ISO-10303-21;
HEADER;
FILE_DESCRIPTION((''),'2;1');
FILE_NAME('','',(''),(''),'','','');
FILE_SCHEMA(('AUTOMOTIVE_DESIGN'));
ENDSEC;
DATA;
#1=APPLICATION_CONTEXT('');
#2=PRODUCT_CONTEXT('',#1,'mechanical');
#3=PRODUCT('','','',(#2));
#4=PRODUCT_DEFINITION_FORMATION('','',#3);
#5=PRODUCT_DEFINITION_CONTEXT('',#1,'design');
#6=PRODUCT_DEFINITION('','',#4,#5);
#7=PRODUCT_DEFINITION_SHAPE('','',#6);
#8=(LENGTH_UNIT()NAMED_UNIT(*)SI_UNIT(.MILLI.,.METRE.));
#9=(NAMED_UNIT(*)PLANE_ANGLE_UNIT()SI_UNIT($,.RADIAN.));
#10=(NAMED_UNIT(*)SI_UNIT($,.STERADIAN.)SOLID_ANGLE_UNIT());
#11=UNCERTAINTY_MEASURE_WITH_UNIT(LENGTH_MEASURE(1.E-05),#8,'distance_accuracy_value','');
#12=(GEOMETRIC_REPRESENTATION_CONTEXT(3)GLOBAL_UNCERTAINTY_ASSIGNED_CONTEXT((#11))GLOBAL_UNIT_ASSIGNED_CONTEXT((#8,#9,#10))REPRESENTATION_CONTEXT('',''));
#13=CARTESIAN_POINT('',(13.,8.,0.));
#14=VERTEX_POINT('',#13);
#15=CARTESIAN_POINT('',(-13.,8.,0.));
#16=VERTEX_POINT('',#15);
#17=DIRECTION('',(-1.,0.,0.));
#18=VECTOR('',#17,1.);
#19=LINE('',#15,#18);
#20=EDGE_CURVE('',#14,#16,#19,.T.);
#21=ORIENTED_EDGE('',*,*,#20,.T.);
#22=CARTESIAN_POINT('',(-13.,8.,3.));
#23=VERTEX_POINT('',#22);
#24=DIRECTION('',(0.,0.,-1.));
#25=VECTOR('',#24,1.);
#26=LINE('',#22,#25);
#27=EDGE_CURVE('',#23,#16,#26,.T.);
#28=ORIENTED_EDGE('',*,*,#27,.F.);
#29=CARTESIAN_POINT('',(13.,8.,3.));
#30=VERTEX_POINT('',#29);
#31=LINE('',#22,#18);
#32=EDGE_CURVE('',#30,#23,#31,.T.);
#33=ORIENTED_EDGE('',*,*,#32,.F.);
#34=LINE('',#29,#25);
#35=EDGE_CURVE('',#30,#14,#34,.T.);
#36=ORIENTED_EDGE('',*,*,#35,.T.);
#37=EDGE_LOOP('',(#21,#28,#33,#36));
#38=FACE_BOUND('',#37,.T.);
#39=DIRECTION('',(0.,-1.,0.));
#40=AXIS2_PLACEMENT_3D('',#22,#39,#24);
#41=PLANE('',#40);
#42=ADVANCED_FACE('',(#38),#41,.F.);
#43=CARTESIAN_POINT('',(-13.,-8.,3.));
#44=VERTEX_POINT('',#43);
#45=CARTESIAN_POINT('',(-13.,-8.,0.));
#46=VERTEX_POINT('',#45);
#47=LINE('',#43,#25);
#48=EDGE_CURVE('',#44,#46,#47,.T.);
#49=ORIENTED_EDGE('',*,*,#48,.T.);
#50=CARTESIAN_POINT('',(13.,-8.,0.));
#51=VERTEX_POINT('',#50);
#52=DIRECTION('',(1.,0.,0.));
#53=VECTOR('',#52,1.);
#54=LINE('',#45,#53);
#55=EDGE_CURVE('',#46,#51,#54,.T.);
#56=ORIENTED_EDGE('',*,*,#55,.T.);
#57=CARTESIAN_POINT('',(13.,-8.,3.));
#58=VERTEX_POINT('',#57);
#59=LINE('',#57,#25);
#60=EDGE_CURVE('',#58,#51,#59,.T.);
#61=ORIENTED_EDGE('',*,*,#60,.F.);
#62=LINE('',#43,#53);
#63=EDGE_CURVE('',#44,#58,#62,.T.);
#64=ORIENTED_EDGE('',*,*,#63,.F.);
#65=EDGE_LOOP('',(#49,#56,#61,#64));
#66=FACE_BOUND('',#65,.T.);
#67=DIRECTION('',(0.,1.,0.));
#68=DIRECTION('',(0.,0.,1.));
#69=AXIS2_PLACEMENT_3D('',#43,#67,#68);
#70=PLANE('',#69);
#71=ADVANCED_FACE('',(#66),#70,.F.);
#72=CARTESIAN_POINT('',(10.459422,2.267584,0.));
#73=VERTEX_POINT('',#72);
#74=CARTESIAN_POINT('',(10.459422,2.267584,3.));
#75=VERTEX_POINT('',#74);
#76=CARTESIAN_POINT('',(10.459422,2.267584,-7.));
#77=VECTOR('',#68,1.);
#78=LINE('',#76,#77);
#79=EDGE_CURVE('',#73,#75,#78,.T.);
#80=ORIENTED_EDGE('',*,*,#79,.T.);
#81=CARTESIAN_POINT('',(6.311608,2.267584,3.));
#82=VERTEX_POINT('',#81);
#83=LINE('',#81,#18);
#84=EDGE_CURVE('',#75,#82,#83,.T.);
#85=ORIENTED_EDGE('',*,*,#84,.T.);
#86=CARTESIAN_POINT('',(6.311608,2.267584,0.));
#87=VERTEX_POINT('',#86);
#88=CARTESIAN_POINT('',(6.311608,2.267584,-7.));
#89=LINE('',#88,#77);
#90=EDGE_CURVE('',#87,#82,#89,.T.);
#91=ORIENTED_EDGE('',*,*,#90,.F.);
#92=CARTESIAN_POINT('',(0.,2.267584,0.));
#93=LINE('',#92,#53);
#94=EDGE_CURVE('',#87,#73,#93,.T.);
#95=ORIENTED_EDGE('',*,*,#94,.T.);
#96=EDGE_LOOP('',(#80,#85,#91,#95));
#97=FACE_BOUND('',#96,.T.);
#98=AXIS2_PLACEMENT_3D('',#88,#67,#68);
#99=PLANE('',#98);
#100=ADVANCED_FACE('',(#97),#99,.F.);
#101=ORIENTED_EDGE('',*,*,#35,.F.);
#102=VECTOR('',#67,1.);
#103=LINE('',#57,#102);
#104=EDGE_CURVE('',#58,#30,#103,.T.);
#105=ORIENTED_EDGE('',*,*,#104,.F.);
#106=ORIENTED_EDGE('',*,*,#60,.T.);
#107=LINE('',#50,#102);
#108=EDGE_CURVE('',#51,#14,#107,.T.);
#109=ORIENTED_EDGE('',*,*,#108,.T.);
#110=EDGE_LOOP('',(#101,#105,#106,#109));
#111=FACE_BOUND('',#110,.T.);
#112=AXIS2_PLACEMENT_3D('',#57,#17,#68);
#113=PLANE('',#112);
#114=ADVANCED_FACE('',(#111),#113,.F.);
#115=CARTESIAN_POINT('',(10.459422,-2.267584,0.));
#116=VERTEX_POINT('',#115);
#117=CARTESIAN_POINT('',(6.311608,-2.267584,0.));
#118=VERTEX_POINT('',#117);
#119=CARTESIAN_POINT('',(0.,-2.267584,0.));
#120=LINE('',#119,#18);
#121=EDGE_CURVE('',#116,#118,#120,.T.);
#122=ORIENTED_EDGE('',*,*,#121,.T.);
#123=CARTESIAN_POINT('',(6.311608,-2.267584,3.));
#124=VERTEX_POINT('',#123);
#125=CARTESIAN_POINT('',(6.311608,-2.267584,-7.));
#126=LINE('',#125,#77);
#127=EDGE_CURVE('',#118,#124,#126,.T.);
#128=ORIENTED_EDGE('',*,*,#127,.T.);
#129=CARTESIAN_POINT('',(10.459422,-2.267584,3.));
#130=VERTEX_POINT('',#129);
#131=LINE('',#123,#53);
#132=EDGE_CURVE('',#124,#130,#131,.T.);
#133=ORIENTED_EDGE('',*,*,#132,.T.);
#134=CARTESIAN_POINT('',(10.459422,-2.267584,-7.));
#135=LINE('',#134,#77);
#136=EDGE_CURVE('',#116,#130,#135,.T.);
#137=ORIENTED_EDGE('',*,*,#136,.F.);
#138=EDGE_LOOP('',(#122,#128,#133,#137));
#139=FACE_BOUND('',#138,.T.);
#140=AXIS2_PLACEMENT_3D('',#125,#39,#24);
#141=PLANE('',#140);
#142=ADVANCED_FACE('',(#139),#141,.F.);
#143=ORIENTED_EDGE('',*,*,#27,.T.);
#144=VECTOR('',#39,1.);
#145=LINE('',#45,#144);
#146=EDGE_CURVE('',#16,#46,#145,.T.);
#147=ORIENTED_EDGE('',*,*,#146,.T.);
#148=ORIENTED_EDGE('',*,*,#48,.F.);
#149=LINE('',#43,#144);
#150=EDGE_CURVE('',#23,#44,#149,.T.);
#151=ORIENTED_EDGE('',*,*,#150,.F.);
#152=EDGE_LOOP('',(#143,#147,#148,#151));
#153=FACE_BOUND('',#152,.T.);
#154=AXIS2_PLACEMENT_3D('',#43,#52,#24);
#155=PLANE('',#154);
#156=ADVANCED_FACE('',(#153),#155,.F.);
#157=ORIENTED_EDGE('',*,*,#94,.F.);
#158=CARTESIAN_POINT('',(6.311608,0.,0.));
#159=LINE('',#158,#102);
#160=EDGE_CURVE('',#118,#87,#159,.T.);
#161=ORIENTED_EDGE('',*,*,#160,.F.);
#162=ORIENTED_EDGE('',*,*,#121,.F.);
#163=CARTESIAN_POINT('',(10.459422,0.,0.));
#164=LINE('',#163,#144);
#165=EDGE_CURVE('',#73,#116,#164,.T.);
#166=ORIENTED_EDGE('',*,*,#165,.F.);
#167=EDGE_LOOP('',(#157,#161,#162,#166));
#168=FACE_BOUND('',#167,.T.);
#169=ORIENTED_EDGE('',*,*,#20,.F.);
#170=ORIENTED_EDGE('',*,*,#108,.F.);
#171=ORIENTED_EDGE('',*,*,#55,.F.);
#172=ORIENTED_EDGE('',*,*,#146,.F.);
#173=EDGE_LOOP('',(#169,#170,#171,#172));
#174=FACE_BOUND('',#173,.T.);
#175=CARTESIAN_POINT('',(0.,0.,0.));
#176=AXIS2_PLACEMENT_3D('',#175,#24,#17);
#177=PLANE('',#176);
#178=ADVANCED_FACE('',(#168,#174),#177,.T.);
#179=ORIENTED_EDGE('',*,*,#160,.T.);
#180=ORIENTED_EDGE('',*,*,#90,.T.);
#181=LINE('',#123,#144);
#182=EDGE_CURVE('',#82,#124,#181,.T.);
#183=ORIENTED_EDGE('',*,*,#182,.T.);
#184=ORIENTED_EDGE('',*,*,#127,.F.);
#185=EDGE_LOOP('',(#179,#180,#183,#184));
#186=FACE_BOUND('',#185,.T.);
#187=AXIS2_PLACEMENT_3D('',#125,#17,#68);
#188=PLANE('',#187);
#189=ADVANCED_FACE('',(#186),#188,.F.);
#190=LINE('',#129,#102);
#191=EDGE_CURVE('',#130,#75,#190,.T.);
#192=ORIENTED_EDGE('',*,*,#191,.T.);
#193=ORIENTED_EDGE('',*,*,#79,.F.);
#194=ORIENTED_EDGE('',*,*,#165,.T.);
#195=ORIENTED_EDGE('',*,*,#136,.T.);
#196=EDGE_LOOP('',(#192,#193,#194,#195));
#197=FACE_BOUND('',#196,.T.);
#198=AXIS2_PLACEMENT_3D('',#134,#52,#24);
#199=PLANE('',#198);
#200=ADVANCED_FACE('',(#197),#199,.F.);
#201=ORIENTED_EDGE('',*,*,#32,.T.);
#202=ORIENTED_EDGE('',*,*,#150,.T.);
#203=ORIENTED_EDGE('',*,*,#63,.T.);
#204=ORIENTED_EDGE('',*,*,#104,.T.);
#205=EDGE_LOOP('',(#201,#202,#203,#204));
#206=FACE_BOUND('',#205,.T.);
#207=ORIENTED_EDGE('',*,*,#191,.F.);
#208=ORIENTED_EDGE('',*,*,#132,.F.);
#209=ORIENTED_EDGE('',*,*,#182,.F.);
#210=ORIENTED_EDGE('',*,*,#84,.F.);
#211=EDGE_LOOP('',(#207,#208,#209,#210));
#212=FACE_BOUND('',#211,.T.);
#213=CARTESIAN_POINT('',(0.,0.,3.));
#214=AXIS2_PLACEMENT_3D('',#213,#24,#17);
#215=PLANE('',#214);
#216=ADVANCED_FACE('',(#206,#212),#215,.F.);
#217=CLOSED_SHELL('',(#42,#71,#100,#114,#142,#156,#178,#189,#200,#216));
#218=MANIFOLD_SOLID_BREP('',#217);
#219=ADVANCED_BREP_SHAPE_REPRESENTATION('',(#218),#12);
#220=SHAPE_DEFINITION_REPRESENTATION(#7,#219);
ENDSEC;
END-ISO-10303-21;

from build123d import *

# Parameters (mm, degrees)
IZIM1_W                     = 26
IZIM1_H                     = 16
IZIM1_R                     = 2.072340414
Y_KSEKLIK_EKSTR_ZYON1_DEPTH = 3
IZIM2_W                     = 4.147814154
IZIM2_H                     = 4.535167944
KES_EKSTR_ZYON1_DEPTH       = 10


with BuildPart() as part:
    # Çizim1 → Yükseklik-Ekstrüzyon1 (new body)
    with BuildSketch(Plane.XY):
        Rectangle(IZIM1_W, IZIM1_H)
        with Locations((8.385515416, 0)):
            Circle(IZIM1_R, mode=Mode.SUBTRACT)
    extrude(amount=Y_KSEKLIK_EKSTR_ZYON1_DEPTH)

    # Çizim2 → Kes-Ekstrüzyon1 (cut)
    with BuildSketch(Plane.XY.offset(3)):
        with Locations((8.385515416, 0)):
            Rectangle(IZIM2_W, IZIM2_H)
    extrude(amount=-KES_EKSTR_ZYON1_DEPTH, mode=Mode.SUBTRACT)


solid = part.part
